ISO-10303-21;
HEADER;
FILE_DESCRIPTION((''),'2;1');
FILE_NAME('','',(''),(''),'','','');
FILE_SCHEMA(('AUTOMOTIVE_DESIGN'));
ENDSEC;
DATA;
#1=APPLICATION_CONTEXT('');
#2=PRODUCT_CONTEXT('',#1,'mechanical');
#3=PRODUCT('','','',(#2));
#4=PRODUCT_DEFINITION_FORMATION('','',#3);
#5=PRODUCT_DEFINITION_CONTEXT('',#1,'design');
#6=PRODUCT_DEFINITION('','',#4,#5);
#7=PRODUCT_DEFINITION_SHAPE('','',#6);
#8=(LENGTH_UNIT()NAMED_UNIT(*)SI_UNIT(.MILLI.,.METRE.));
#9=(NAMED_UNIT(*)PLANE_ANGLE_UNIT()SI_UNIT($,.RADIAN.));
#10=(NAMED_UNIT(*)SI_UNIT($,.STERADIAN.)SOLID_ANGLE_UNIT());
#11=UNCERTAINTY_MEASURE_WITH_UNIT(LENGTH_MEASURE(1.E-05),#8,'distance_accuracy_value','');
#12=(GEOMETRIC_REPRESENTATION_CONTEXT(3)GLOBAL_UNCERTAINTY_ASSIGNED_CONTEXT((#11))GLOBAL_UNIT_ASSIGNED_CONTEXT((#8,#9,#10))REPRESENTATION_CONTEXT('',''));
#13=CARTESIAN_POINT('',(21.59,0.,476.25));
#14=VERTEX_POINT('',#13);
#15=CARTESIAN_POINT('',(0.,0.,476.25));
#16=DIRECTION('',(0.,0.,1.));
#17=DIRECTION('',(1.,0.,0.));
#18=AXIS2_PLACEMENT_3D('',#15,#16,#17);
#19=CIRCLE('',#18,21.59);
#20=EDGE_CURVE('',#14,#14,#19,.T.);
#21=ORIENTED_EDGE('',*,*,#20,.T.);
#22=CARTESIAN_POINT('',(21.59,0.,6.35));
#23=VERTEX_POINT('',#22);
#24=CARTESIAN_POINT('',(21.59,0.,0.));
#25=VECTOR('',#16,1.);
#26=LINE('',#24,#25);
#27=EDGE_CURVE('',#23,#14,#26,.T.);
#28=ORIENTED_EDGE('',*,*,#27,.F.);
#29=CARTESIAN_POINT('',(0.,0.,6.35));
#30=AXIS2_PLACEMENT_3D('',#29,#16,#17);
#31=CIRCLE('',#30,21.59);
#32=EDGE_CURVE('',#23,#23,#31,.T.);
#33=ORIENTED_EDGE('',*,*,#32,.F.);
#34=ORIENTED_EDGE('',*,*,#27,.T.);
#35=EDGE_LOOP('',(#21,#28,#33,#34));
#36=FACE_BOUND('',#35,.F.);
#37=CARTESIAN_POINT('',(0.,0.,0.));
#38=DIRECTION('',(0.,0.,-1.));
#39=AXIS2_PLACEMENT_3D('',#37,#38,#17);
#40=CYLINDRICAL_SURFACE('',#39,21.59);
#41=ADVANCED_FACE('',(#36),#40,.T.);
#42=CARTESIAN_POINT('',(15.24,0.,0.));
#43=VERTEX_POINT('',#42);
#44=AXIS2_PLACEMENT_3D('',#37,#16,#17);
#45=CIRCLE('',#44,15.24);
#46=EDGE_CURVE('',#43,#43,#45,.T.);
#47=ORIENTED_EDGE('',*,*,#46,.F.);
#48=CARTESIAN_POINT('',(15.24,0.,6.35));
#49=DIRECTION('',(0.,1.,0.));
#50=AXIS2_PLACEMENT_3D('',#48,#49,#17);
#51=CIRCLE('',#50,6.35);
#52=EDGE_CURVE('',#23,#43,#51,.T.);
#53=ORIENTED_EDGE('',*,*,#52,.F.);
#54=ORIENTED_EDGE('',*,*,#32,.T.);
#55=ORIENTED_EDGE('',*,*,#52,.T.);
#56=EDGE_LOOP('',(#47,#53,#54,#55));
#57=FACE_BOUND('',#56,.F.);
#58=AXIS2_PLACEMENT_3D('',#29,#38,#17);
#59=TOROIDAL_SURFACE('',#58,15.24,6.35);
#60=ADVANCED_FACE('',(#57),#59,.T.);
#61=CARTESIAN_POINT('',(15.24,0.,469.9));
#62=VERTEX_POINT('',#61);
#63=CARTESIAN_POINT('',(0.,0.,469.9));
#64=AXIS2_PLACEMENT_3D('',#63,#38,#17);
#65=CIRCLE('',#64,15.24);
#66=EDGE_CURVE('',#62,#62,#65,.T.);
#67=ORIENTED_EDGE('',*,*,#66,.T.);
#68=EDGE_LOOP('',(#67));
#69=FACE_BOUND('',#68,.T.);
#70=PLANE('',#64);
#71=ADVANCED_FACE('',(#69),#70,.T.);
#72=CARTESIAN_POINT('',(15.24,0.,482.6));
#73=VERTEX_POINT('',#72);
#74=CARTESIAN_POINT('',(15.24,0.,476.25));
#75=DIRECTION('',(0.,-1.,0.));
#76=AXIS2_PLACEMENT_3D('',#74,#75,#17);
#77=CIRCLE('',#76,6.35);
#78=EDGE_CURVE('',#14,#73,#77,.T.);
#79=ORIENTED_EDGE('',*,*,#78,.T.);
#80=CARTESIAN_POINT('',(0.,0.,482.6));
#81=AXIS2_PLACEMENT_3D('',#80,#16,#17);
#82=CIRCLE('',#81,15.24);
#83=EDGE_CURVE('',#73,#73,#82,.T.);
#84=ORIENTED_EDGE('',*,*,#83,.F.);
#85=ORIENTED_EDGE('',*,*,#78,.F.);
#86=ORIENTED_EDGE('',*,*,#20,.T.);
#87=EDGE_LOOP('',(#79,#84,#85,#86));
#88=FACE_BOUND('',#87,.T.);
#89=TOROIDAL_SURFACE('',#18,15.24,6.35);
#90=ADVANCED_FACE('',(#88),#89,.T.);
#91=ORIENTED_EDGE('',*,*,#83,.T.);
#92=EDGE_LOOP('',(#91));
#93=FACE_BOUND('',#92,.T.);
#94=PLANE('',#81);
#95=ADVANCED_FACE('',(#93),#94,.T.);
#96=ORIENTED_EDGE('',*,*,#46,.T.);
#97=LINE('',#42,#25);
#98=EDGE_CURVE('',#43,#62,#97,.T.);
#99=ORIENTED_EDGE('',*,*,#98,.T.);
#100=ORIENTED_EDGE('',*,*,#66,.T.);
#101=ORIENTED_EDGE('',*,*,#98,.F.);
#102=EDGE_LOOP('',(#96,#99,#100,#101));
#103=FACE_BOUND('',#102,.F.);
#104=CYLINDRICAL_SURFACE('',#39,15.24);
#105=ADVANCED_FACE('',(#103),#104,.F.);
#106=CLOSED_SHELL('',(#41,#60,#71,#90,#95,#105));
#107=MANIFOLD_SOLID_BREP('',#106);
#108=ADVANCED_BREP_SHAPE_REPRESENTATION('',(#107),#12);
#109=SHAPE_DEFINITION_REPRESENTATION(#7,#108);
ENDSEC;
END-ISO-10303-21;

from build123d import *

# Parameters (mm, degrees)
F0_R      = 21.59
F1_DEPTH  = 482.6
F2_R      = 6.35
F3_R      = 6.35
F1_FACE_R = 15.24
F4_DEPTH  = 469.9


with BuildPart() as f1:
    # F0 (on Top) → F1 (new body)
    with BuildSketch(Plane.XY):
        Circle(F0_R)
    extrude(amount=F1_DEPTH)

    # F2
    f2_edges = [f1.edges().sort_by_distance(p)[0] for p in [
        (-21.59, 0, 0),
    ]]
    fillet(f2_edges, radius=F2_R)

    # F3
    f3_edges = [f1.edges().sort_by_distance(p)[0] for p in [
        (-21.59, 0, 482.6),
    ]]
    fillet(f3_edges, radius=F3_R)

    # F1_face (on face) → F4 (cut)
    with BuildSketch(Plane(origin=(0, 0, 0), x_dir=(1, 0, 0), z_dir=(0, 0, -1))):
        Circle(F1_FACE_R)
    extrude(amount=-F4_DEPTH, mode=Mode.SUBTRACT)


solid = f1.part
